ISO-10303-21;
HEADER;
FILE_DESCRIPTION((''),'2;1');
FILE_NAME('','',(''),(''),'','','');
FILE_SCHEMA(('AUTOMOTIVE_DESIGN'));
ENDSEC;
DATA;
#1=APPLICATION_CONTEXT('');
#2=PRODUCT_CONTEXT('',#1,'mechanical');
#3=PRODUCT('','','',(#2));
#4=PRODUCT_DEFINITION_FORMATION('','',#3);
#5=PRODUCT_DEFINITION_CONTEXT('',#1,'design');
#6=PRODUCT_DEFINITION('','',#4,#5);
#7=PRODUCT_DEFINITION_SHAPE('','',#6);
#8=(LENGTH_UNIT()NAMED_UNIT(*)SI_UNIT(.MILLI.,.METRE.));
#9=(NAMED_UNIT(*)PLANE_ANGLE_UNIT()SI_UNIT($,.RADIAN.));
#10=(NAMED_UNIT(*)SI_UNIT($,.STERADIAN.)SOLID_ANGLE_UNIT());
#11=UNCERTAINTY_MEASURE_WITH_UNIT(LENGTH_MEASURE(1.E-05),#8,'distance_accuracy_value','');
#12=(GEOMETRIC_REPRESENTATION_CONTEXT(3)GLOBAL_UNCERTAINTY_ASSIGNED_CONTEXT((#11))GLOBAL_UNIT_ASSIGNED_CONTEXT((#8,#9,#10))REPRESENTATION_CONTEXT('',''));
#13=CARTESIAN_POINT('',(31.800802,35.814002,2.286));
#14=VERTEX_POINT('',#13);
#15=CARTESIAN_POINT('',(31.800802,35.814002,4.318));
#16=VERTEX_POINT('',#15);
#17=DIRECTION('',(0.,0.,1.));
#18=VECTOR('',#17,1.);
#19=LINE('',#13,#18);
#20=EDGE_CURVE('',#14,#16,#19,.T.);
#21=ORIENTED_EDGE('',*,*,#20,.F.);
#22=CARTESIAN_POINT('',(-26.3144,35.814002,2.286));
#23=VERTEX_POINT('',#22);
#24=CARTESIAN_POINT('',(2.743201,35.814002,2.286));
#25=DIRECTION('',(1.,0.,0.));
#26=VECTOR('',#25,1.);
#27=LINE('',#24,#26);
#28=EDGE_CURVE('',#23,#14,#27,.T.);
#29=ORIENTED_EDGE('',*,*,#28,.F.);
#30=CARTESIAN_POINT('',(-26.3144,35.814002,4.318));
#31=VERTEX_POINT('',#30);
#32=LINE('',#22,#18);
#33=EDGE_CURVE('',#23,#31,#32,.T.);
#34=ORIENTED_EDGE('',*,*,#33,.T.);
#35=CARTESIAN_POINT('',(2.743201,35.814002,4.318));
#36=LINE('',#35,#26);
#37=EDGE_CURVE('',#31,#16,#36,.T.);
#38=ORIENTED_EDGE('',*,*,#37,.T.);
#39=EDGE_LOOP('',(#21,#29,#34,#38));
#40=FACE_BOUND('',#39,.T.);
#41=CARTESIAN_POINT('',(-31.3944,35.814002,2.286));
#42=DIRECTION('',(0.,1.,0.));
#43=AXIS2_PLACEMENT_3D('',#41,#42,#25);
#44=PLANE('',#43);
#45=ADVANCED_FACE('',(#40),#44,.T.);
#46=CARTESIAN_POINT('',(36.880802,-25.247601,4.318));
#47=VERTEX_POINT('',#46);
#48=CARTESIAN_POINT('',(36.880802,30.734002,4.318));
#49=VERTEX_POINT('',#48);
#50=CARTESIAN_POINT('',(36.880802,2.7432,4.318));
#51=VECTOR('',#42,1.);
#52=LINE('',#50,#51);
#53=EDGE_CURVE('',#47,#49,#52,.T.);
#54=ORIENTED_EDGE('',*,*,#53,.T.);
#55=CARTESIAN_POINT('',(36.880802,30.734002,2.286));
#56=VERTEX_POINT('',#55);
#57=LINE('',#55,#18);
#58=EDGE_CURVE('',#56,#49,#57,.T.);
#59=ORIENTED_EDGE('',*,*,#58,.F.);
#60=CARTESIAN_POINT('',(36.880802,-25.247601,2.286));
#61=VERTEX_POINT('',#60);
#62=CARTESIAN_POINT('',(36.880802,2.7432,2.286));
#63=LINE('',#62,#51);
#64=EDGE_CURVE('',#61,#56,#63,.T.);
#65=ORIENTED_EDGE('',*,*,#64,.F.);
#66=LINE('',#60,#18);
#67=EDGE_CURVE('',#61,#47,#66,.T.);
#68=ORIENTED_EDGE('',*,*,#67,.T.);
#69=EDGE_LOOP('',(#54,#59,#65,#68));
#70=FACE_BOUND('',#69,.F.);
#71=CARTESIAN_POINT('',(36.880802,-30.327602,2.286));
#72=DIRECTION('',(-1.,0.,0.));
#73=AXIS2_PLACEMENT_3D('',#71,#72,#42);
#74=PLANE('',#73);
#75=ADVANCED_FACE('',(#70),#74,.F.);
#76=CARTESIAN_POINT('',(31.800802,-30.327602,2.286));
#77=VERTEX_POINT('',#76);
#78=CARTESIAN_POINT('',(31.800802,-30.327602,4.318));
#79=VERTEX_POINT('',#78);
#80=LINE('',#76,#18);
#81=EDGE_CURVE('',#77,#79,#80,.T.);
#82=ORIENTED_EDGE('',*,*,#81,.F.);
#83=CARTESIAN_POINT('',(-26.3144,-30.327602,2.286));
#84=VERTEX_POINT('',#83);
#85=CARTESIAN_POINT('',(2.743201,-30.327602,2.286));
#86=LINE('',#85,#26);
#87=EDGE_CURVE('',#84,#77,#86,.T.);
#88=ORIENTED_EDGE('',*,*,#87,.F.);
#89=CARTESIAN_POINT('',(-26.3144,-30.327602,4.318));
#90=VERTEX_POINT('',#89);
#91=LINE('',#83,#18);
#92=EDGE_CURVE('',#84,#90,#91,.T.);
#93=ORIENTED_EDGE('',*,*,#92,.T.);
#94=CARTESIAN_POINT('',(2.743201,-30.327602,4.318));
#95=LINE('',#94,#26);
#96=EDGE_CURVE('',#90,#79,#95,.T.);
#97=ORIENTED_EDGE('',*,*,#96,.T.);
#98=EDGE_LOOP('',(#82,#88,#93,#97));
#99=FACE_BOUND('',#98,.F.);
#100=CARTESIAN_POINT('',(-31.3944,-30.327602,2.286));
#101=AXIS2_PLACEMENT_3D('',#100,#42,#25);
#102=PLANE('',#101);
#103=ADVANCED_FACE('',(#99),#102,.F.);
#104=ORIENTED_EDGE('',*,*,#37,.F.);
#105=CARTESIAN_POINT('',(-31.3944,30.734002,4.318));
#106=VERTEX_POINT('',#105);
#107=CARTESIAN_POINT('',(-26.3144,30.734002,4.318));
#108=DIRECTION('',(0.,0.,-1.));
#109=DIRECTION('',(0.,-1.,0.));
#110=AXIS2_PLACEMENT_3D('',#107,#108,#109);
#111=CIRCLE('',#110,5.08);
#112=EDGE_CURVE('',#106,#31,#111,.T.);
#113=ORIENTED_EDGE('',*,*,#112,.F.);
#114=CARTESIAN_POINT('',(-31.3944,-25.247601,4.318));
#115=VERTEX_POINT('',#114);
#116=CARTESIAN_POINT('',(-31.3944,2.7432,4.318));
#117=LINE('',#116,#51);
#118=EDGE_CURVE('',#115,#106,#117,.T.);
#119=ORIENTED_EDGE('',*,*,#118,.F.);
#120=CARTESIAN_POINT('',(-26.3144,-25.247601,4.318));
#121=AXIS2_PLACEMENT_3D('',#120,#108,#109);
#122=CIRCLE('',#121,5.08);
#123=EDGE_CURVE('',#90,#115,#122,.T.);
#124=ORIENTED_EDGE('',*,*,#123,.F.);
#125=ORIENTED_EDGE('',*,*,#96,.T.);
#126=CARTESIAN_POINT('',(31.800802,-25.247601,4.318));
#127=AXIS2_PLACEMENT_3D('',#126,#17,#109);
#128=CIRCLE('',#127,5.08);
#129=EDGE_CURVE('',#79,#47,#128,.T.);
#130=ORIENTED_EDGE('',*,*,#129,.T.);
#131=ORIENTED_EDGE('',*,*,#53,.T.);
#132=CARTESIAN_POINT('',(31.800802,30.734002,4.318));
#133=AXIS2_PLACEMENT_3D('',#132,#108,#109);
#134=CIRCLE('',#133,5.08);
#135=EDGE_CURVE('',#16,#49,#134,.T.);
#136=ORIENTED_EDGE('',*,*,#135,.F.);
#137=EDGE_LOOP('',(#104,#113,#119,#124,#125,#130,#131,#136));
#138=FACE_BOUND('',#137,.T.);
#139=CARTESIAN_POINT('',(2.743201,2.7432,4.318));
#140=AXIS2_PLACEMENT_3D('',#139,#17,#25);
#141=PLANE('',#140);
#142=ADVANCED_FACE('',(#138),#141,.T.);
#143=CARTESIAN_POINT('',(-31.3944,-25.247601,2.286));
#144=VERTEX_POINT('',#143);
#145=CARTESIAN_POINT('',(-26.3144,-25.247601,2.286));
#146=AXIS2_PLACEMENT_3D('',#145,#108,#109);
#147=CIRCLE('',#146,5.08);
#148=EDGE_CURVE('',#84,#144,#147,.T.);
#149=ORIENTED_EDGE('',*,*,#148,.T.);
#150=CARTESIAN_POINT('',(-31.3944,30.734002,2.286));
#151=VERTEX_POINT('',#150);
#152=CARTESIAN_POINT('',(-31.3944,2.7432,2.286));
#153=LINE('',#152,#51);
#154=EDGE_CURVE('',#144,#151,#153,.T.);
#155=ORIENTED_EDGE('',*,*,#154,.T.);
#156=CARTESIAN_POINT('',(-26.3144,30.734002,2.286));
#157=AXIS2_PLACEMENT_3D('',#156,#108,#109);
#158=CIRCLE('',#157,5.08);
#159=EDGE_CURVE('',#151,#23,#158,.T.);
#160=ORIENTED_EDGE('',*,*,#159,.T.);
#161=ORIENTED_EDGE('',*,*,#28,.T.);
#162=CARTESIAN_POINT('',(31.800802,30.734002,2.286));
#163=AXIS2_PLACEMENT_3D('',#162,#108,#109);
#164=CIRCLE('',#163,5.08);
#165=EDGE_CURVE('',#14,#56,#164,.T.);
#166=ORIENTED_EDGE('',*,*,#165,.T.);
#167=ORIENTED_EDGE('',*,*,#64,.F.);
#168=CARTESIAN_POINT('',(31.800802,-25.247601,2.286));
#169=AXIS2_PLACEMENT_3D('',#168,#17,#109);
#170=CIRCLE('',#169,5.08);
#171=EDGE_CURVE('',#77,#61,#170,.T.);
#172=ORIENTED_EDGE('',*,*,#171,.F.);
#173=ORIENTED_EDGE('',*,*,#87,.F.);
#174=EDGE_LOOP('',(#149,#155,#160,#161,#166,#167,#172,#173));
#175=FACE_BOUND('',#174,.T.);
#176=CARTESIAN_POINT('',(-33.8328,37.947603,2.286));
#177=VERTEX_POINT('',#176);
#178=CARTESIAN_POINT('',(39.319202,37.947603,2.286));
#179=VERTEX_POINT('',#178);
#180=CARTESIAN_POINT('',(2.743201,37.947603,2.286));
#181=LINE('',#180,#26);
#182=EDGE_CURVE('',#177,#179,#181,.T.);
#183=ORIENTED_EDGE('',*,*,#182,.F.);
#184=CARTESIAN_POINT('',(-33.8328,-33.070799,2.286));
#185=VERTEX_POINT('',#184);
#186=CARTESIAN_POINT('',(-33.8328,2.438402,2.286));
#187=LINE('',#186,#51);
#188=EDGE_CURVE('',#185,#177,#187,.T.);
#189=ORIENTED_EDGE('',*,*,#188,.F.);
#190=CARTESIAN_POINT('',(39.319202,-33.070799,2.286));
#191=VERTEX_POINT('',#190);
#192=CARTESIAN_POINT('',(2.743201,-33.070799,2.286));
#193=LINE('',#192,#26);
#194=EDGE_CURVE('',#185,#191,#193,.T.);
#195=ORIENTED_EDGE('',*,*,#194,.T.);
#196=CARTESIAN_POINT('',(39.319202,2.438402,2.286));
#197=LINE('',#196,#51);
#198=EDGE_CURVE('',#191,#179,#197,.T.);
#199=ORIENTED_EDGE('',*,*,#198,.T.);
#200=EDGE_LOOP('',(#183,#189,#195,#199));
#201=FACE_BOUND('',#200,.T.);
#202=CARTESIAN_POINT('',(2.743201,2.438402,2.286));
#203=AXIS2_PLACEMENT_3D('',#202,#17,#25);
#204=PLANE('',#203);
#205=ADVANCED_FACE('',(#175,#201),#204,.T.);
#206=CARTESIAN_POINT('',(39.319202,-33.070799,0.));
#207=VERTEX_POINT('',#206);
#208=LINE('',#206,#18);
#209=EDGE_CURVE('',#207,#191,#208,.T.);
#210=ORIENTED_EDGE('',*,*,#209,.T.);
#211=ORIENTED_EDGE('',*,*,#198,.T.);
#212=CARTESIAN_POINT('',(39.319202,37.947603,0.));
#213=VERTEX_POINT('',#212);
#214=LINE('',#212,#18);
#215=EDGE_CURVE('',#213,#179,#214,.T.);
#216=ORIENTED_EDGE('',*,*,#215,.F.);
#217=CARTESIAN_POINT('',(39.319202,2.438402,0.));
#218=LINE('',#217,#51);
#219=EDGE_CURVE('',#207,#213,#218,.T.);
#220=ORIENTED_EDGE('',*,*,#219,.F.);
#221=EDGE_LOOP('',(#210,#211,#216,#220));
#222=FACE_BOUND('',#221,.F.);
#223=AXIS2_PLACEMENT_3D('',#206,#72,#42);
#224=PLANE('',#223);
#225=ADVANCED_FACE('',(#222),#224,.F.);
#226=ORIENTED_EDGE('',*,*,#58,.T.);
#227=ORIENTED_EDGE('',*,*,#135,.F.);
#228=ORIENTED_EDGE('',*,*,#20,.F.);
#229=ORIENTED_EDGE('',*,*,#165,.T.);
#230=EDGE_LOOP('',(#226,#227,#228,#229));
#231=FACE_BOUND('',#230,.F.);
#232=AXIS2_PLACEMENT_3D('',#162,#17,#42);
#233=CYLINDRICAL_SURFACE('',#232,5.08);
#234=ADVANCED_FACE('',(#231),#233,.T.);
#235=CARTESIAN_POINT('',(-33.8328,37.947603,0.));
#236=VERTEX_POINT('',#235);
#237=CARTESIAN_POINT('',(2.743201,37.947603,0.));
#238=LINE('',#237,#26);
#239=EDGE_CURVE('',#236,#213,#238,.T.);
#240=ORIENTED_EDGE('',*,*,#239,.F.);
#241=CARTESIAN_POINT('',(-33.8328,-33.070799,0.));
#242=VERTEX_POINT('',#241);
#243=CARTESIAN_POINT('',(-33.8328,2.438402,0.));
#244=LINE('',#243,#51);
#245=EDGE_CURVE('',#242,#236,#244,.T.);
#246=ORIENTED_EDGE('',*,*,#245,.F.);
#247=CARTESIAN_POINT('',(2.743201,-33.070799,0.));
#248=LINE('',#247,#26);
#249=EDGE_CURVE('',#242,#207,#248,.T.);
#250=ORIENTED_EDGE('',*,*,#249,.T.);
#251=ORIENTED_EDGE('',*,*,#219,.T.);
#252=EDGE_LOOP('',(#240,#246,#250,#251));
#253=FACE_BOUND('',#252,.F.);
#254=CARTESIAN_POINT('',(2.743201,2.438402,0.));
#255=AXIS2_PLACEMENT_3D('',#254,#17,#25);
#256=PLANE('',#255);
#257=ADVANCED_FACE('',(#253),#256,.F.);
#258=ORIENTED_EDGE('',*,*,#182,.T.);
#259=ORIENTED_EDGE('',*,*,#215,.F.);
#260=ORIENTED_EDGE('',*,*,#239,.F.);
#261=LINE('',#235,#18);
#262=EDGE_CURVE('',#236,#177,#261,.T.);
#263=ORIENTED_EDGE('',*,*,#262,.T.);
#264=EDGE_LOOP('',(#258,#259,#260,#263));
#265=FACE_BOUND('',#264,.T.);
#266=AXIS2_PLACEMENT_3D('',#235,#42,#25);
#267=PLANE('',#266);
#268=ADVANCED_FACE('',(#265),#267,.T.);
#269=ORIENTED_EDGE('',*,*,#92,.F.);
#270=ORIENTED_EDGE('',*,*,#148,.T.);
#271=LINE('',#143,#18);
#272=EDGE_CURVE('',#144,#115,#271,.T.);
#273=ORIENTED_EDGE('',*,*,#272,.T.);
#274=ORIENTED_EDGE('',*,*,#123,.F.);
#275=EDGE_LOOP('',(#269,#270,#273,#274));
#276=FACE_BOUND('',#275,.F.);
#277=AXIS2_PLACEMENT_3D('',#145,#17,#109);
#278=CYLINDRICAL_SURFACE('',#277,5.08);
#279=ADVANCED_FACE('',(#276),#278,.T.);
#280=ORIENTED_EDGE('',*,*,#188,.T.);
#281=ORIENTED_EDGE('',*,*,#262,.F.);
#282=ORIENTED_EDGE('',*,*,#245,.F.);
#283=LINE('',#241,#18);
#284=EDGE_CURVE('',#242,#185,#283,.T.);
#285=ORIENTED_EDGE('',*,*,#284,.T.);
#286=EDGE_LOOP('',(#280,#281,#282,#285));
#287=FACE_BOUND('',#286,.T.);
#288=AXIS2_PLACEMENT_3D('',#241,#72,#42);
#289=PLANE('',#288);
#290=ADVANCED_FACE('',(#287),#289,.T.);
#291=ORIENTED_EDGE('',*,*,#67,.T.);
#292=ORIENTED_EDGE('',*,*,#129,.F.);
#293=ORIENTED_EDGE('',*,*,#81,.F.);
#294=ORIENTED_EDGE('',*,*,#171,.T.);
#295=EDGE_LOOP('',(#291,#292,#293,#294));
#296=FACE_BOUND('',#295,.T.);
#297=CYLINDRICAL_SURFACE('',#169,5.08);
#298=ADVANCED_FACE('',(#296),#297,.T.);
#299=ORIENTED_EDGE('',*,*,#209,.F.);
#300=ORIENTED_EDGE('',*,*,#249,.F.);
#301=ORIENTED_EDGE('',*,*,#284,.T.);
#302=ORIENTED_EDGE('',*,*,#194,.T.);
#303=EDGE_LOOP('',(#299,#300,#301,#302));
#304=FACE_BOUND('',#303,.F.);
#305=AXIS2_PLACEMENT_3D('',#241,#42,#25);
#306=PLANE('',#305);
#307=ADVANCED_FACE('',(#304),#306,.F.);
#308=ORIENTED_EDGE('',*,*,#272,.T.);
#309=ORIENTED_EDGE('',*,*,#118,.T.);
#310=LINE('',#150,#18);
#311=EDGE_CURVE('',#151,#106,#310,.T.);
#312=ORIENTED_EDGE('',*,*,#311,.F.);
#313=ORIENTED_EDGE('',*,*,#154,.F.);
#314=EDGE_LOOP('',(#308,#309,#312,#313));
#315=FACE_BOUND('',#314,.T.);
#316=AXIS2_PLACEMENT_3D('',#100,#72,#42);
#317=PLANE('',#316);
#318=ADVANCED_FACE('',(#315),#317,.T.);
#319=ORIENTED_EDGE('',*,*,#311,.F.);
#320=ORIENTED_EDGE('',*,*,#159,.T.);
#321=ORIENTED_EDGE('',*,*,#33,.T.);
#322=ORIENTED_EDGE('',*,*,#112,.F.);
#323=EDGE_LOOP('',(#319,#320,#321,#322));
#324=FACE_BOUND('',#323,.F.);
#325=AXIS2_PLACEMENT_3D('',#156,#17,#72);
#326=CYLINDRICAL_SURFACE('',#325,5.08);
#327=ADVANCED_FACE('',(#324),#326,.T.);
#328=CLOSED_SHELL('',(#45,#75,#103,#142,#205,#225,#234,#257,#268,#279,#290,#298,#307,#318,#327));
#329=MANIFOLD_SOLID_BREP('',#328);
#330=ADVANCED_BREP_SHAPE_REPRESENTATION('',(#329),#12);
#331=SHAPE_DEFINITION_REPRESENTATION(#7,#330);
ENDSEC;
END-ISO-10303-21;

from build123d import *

# Parameters (mm, degrees)
F0_W     = 73.152002
F0_H     = 71.018402
F1_DEPTH = 2.286
F3_W     = 68.275202
F3_H     = 66.141603
F4_DEPTH = 2.032
F5_R     = 5.08
F6_R     = 5.08
F7_R     = 5.08
F8_R     = 5.08


with BuildPart() as f1:
    # F0 (on Top) → F1 (new body)
    with BuildSketch(Plane.XY):
        with Locations((2.743201, 2.438402)):
            Rectangle(F0_W, F0_H)
    extrude(amount=F1_DEPTH)

    # F3 (on face) → F4 (join)
    with BuildSketch(Plane.XY.offset(2.286)):
        with Locations((2.743201, 2.7432)):
            Rectangle(F3_W, F3_H)
    extrude(amount=F4_DEPTH)

    # F5
    f5_edges = [f1.edges().sort_by_distance(p)[0] for p in [
        (36.880802, -30.327601, 3.302),
    ]]
    fillet(f5_edges, radius=F5_R)

    # F6
    f6_edges = [f1.edges().sort_by_distance(p)[0] for p in [
        (-31.3944, -30.327601, 3.302),
    ]]
    fillet(f6_edges, radius=F6_R)

    # F7
    f7_edges = [f1.edges().sort_by_distance(p)[0] for p in [
        (-31.3944, 35.814002, 3.302),
    ]]
    fillet(f7_edges, radius=F7_R)

    # F8
    f8_edges = [f1.edges().sort_by_distance(p)[0] for p in [
        (36.880802, 35.814002, 3.302),
    ]]
    fillet(f8_edges, radius=F8_R)


solid = f1.part
